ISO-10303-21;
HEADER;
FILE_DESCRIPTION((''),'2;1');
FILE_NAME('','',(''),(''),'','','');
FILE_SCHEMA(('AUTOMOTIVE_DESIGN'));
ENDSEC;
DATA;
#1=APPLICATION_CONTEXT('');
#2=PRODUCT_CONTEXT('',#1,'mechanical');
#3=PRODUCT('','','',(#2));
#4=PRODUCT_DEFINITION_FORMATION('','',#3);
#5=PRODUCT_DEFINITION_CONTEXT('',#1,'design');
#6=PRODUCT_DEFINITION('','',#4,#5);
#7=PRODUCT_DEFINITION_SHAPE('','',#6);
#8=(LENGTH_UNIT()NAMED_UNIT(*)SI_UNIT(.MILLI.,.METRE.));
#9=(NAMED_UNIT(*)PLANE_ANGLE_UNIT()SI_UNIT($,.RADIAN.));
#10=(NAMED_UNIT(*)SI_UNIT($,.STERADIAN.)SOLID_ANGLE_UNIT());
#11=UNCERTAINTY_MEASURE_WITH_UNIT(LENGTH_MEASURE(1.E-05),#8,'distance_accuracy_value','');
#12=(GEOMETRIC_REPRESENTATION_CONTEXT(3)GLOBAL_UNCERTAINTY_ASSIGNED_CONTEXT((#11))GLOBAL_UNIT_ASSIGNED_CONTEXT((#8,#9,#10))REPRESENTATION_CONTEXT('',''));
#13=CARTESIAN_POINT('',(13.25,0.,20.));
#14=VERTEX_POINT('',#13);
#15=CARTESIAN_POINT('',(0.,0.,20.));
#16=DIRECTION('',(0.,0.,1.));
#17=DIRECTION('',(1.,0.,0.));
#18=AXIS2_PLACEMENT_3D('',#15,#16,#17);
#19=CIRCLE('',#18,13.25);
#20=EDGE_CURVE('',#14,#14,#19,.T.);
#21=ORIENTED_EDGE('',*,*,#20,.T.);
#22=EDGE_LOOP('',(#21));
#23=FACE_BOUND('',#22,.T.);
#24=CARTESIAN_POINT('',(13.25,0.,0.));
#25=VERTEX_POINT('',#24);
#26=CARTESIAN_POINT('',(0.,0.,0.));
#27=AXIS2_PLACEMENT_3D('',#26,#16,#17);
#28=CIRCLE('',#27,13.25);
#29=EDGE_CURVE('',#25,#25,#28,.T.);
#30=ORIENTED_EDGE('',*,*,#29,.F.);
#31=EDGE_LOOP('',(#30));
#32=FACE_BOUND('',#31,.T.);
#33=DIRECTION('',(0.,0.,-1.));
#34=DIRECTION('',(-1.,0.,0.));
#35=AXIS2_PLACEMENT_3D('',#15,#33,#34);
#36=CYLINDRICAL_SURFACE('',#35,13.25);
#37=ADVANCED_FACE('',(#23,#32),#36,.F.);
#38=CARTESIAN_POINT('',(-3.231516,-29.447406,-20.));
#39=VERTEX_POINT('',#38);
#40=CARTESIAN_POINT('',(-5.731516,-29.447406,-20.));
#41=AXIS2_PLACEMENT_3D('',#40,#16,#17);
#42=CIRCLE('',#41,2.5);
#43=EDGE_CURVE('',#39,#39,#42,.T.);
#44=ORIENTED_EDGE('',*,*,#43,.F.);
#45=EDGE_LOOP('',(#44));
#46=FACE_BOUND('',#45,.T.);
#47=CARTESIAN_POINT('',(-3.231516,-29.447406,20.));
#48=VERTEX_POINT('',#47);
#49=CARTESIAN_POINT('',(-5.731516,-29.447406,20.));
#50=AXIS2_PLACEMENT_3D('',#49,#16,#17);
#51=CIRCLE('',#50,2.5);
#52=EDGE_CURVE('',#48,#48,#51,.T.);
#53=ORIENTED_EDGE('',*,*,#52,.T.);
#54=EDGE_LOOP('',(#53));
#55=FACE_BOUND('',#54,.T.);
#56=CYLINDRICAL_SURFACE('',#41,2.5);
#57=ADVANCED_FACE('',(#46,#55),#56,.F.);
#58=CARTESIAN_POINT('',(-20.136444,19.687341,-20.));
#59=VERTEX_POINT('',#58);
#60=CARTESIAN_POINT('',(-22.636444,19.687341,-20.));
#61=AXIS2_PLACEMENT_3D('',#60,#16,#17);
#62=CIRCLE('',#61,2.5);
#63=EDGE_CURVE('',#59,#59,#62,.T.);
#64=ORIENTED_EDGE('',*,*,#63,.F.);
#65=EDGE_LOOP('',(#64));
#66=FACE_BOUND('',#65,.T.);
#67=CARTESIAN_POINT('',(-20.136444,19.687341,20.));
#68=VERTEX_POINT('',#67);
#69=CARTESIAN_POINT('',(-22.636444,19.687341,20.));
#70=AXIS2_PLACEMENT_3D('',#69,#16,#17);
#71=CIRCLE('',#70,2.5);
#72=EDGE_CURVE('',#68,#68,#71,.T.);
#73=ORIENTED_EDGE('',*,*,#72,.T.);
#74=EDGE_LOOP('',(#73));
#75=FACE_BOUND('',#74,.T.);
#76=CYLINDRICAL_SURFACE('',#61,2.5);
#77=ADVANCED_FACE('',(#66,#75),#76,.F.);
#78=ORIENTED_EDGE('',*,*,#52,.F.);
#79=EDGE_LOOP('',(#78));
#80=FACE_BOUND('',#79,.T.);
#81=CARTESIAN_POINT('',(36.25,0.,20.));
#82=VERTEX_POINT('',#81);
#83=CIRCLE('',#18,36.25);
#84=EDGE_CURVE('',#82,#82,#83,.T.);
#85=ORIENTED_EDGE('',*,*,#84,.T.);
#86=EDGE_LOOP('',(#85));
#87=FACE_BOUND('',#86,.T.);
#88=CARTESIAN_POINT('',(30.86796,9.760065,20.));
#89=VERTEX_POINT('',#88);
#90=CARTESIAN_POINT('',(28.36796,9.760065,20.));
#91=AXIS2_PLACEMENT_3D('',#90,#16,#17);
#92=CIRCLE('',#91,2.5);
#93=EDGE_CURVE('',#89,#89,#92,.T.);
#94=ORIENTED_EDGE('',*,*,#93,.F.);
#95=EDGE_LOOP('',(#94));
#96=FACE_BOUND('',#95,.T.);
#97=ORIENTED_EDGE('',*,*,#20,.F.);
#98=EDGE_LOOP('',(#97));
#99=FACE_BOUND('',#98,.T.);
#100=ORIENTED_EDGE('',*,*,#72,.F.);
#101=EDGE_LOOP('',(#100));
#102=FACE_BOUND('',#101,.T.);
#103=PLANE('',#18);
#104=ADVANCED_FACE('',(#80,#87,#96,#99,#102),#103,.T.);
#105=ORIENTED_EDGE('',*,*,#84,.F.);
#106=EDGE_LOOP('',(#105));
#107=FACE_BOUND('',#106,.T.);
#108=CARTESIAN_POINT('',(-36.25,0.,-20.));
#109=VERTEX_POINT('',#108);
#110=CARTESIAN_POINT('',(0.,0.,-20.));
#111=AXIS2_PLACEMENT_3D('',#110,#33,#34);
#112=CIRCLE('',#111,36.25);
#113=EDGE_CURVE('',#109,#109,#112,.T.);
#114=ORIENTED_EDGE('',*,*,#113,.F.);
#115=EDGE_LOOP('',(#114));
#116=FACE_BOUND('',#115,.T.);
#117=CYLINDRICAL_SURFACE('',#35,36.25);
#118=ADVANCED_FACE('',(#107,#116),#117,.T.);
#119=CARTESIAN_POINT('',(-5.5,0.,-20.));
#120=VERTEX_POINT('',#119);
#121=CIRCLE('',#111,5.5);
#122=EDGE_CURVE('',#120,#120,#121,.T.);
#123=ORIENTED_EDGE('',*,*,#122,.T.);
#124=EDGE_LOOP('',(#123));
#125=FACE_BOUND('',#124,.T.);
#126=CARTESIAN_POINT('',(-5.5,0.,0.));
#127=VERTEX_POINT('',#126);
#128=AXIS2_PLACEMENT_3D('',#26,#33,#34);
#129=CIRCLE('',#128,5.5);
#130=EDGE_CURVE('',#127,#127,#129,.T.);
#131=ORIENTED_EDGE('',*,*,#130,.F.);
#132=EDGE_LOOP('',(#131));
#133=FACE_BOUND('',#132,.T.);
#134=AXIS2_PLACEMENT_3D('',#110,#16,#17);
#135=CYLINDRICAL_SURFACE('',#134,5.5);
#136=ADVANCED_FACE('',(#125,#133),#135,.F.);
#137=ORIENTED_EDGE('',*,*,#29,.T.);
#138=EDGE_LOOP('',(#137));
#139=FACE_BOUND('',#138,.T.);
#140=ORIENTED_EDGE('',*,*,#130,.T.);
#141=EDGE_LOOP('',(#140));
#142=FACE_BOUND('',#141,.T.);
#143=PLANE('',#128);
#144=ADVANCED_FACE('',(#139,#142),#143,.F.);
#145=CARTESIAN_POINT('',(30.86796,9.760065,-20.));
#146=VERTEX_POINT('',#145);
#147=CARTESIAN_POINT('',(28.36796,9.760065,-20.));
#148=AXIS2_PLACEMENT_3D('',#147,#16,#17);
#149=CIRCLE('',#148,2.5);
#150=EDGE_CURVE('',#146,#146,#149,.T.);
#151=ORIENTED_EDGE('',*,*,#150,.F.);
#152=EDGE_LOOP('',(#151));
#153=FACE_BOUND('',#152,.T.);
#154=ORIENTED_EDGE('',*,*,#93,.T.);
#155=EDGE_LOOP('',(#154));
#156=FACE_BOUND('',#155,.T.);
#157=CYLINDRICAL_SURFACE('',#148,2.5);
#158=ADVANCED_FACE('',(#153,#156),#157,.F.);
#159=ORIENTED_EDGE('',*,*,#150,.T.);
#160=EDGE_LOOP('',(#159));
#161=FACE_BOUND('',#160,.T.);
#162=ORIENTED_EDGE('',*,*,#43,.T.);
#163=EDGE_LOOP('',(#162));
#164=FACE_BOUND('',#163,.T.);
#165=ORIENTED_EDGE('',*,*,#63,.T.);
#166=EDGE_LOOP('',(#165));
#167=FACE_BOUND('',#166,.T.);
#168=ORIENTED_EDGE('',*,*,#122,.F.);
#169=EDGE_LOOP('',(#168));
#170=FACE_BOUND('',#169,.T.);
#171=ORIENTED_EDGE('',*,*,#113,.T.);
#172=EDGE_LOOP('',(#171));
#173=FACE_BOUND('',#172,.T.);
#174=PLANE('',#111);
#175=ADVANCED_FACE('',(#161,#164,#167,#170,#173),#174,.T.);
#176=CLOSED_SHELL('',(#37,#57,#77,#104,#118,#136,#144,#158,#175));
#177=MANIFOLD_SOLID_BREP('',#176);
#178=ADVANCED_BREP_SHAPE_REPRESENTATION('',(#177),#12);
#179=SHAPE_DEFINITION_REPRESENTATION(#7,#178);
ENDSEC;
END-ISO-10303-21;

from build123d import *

# Parameters (mm, degrees)
SKETCH1_R           = 36.25
SKETCH1_R_2         = 13.25
BOSS_EXTRUDE1_DEPTH = 20
BOSS_EXTRUDE3_START = 20
SKETCH2_R           = 36.25
SKETCH2_R_2         = 5.5
BOSS_EXTRUDE3_DEPTH = 20
SKETCH3_R           = 2.5
CUT_EXTRUDE1_DEPTH  = 66.024034018


with BuildPart() as part:
    # Sketch1 → Boss-Extrude1 (new body)
    with BuildSketch(Plane.XY):
        Circle(SKETCH1_R)
        Circle(SKETCH1_R_2, mode=Mode.SUBTRACT)
    extrude(amount=BOSS_EXTRUDE1_DEPTH)

    # Sketch2 → Boss-Extrude3 (add)
    with BuildSketch(Plane(origin=(0, 0, 0), x_dir=(-1, 0, 0), z_dir=(0, 0, -1)).offset(BOSS_EXTRUDE3_START)):
        Circle(SKETCH2_R)
        Circle(SKETCH2_R_2, mode=Mode.SUBTRACT)
    extrude(amount=-BOSS_EXTRUDE3_DEPTH)

    # Sketch3 → Cut-Extrude1 (cut, through all)
    with BuildSketch(Plane.XY.offset(20)):
        with Locations((-5.731515756, -29.447406119)):
            Circle(SKETCH3_R)
        with Locations((-22.636443897, 19.687341306)):
            Circle(SKETCH3_R)
        with Locations((28.367959653, 9.760064813)):
            Circle(SKETCH3_R)
    extrude(amount=-CUT_EXTRUDE1_DEPTH, mode=Mode.SUBTRACT)


solid = part.part
